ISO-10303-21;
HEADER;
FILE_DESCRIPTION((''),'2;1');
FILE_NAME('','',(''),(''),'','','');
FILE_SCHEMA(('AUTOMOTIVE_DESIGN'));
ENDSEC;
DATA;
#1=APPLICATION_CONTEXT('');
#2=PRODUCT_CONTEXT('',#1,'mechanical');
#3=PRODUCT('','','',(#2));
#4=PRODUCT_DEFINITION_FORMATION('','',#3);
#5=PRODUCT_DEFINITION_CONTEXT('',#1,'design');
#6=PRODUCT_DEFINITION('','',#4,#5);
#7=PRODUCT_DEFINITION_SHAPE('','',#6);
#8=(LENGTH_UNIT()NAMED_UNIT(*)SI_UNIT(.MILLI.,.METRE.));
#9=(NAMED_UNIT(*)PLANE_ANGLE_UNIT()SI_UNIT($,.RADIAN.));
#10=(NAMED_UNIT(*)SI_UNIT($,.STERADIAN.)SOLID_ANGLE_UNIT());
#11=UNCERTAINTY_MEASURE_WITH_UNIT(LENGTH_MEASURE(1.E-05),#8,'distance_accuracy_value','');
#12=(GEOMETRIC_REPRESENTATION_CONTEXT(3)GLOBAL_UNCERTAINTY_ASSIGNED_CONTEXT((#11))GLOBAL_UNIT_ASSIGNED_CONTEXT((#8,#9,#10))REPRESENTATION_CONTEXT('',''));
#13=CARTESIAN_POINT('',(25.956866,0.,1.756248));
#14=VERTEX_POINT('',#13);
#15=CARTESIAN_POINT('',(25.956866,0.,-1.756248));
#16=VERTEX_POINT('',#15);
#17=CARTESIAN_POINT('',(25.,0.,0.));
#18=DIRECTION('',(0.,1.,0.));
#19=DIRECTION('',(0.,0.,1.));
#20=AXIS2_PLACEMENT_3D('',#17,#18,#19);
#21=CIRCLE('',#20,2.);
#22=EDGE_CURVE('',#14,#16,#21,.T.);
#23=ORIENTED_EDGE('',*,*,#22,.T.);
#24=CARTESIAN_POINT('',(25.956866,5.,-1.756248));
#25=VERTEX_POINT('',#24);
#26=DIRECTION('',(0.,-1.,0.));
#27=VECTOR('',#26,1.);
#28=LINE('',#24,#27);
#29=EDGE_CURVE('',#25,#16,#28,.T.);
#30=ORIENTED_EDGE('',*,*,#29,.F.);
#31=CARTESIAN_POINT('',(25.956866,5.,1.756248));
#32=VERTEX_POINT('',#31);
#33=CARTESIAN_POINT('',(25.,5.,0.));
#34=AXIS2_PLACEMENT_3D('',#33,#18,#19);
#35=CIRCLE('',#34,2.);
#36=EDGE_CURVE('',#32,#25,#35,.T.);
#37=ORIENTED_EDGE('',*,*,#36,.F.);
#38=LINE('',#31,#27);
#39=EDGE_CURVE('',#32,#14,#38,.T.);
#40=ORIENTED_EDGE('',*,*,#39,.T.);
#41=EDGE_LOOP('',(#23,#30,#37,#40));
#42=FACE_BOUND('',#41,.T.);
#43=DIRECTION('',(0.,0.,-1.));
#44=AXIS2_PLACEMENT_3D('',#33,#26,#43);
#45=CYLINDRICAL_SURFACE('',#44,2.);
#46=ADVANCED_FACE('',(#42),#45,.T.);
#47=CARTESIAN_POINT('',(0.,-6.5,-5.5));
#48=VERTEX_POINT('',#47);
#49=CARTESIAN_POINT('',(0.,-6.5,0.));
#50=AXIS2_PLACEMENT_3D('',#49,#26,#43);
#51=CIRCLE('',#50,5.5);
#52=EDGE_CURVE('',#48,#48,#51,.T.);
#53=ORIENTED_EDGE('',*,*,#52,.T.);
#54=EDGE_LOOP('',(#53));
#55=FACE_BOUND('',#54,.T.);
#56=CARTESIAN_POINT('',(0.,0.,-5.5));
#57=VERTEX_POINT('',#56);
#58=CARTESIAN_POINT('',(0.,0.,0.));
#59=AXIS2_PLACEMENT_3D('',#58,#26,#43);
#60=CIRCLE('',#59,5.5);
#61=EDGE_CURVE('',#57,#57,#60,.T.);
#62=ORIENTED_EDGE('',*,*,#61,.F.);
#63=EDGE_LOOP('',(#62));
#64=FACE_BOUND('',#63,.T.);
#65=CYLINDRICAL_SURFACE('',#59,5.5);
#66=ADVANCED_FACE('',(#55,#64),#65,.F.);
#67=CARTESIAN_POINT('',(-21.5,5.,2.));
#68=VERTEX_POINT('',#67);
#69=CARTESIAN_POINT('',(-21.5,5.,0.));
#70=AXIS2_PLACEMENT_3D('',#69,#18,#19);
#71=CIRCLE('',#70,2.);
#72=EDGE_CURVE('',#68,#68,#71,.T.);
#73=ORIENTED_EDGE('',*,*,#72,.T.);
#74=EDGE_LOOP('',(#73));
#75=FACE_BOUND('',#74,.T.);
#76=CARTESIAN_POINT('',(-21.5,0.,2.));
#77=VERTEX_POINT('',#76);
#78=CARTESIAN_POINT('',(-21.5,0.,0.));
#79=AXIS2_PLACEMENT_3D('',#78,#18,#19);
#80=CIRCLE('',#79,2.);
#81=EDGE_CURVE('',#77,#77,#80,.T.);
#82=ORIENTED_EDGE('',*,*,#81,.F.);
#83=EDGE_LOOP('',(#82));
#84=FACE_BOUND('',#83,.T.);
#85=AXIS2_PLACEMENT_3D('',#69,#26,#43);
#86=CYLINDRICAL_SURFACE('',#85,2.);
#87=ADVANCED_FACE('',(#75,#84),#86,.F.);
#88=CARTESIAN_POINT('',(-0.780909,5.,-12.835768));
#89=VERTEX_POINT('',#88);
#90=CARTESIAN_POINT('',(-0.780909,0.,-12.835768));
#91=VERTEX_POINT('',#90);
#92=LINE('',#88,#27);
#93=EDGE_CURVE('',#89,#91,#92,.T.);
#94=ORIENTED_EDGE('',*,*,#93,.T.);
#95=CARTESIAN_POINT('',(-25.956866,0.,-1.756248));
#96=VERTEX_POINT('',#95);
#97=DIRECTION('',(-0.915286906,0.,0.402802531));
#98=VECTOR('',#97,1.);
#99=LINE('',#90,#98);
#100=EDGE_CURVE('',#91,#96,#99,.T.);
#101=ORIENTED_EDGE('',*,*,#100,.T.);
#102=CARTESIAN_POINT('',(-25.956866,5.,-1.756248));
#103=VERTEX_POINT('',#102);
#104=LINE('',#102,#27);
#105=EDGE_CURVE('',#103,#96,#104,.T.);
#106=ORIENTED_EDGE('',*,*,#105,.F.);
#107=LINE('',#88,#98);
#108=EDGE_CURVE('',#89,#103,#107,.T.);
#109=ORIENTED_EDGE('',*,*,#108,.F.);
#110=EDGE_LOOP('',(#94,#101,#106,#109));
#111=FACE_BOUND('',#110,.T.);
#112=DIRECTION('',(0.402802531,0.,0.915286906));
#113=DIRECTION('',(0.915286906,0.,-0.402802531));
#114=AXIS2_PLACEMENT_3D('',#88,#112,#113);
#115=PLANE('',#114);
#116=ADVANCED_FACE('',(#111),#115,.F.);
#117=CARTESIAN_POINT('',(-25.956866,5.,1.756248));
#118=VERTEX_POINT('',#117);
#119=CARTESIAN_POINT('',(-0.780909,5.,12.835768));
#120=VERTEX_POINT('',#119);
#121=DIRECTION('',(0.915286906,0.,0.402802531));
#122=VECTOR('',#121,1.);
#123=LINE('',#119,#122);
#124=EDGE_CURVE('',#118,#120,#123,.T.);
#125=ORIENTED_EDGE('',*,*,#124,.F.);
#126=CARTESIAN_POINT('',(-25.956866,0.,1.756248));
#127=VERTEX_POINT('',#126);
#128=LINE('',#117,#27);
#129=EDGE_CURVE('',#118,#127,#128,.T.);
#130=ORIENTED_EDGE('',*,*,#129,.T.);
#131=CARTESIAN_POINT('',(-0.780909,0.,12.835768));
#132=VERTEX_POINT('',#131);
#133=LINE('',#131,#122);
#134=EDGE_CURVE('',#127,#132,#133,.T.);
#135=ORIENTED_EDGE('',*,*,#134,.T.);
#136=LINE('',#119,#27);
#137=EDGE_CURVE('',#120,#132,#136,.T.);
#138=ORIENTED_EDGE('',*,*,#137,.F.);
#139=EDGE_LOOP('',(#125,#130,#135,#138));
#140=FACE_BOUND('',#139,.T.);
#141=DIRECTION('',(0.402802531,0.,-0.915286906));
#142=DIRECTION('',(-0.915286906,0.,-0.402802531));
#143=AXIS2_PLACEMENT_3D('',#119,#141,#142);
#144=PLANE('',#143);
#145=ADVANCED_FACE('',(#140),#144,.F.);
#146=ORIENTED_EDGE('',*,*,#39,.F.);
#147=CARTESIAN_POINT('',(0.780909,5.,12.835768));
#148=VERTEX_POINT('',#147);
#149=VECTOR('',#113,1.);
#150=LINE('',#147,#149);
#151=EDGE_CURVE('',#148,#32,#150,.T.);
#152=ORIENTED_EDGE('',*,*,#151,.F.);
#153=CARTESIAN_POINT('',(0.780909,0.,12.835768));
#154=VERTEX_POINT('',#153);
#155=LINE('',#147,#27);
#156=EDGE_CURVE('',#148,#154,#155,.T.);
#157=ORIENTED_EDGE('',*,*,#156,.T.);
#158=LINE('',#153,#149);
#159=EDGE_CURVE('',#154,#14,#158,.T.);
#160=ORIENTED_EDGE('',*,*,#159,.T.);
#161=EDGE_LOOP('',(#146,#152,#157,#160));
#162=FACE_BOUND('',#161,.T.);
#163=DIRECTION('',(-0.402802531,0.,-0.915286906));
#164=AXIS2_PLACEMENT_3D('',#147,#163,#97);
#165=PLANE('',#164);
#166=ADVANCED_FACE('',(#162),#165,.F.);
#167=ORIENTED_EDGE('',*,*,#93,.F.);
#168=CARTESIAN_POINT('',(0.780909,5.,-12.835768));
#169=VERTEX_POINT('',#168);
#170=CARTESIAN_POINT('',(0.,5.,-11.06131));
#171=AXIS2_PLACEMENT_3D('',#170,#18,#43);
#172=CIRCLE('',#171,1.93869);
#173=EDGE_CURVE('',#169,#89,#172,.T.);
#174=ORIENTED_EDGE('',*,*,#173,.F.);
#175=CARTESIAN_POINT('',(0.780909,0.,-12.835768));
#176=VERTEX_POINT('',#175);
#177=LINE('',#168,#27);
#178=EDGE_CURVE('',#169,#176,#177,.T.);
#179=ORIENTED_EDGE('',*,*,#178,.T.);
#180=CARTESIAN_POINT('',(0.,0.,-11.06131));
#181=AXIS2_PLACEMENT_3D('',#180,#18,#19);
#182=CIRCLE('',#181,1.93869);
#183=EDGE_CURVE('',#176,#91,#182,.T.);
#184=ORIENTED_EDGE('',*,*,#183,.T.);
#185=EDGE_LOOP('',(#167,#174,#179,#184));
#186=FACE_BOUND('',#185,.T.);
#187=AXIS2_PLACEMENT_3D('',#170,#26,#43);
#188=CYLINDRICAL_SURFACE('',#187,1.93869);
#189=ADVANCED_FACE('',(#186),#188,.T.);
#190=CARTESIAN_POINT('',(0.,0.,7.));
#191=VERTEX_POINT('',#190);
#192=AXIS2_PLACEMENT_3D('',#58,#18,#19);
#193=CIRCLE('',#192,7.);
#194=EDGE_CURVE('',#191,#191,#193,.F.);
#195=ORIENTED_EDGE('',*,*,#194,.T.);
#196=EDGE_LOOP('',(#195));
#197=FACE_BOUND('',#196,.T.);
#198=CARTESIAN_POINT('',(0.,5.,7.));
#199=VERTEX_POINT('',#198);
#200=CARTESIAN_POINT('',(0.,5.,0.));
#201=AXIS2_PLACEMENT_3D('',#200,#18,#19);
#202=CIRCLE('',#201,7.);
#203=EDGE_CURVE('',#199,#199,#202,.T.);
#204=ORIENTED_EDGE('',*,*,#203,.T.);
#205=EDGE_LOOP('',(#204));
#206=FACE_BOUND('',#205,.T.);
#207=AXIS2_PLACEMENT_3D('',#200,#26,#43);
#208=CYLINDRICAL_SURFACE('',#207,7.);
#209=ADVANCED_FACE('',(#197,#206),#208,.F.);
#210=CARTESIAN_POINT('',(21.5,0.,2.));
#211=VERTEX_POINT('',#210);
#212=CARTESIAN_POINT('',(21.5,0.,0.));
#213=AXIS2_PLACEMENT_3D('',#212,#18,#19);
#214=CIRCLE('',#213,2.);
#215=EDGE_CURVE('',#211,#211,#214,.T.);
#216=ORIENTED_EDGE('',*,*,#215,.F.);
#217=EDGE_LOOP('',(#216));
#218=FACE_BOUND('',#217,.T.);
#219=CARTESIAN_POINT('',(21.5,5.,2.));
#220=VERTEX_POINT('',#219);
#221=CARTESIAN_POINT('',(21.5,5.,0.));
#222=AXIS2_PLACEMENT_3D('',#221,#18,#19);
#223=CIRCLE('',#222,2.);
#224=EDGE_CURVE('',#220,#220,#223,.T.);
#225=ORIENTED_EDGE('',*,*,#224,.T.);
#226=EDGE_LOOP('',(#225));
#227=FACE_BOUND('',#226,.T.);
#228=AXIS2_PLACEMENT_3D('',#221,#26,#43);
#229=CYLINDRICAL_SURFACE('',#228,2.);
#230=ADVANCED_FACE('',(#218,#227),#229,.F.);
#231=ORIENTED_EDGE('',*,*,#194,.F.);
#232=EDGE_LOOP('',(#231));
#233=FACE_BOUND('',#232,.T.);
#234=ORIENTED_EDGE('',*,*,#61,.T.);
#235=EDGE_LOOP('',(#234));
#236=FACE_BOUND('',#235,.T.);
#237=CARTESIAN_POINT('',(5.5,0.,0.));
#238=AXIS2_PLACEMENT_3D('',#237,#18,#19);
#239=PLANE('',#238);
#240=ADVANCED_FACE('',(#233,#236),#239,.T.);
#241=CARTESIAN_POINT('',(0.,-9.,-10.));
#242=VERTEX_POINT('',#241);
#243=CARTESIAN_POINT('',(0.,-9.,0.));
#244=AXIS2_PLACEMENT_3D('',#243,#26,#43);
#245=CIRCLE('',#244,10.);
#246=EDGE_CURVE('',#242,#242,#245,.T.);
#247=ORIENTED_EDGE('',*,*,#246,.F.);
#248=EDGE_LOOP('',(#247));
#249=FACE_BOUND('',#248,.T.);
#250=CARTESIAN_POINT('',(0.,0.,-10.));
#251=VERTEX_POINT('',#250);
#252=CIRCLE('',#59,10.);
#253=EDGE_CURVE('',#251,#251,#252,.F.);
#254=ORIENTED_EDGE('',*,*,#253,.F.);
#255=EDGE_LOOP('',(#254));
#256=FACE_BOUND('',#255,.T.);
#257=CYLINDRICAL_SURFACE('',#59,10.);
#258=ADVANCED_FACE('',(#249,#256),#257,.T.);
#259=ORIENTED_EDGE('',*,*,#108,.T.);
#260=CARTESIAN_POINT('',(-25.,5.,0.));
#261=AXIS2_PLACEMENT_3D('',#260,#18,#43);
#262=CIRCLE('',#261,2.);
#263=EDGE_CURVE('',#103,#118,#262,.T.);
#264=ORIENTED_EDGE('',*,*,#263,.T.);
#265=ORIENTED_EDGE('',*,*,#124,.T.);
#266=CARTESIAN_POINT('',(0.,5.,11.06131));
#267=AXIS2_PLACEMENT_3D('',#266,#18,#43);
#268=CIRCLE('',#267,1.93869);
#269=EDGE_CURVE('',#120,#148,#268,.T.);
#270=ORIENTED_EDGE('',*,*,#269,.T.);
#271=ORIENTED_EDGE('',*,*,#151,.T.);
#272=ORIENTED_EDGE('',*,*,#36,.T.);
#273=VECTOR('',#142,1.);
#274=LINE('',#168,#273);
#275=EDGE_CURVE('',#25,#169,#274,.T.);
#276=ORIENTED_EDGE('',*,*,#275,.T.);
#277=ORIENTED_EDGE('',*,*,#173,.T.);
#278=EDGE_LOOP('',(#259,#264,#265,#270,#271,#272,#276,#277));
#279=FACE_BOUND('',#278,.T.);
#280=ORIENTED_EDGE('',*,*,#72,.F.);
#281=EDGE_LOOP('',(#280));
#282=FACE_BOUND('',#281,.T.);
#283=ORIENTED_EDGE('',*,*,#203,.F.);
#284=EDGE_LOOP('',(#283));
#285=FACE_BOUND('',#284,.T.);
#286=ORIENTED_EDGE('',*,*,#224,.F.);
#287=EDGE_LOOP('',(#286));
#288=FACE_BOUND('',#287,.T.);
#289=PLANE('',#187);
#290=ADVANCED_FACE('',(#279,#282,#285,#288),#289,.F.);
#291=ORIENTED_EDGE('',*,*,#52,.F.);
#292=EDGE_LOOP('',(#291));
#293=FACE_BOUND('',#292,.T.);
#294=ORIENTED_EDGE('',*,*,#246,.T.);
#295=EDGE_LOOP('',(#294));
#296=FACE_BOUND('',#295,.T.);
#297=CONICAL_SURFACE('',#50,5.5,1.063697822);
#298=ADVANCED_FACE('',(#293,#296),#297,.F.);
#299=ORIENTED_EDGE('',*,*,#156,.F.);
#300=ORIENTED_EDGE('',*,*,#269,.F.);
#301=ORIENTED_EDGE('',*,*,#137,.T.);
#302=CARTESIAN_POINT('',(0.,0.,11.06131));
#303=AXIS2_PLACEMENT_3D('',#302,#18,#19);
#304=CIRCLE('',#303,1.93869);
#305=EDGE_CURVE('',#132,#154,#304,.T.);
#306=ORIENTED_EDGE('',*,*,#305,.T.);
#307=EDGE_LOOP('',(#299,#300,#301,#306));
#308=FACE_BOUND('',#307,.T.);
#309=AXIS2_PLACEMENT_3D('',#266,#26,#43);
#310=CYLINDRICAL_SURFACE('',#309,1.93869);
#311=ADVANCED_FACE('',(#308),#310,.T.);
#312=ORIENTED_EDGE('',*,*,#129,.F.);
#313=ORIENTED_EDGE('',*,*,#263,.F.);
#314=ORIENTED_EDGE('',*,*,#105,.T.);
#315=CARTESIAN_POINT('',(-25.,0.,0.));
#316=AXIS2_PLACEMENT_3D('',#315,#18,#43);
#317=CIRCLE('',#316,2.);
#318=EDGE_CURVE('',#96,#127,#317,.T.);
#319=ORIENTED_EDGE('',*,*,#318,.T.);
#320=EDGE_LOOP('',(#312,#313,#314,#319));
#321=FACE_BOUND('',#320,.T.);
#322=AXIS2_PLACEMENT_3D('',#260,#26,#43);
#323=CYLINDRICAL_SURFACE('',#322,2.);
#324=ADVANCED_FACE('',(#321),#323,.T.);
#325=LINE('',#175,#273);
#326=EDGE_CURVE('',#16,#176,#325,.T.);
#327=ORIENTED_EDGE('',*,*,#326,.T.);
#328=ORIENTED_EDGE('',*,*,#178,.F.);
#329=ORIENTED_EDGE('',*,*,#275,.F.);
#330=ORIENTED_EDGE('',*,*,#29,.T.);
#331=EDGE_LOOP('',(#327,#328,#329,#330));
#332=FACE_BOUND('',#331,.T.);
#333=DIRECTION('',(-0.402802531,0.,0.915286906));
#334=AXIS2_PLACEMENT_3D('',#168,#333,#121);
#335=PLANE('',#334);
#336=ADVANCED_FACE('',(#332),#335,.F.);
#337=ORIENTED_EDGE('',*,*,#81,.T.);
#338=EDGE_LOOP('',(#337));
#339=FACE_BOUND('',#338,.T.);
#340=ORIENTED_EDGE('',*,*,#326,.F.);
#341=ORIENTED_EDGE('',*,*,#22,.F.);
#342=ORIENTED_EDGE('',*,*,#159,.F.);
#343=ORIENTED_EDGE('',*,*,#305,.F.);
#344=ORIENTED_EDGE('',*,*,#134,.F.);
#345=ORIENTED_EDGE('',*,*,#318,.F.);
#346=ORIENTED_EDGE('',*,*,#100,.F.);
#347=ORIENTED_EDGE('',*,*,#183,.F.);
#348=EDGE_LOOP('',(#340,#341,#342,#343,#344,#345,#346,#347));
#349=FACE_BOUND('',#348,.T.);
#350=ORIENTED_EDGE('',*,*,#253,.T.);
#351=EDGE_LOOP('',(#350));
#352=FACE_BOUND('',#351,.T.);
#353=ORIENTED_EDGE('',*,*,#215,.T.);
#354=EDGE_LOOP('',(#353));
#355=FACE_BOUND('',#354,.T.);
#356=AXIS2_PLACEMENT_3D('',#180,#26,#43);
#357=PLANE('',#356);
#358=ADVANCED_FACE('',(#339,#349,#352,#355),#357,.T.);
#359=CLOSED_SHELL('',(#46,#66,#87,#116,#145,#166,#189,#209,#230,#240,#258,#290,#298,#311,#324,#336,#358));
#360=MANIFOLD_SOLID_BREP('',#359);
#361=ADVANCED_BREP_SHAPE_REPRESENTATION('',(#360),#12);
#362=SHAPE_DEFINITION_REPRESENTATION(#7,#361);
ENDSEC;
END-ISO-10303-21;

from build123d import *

# Parameters (mm, degrees)
SKETCH3_R           = 7
SKETCH3_R_2         = 2
BOSS_EXTRUDE1_DEPTH = 5


with BuildPart() as part:
    # Sketch2 → Revolve1 (revolve)
    with BuildSketch(Plane.XY, mode=Mode.PRIVATE) as revolve1_sk:
        Polygon((5.5, 0), (10, 0), (10, -9), (5.5, -6.5), align=None)
    revolve(revolve1_sk.sketch.rotate(Axis((0, 0, 0), (0, 1, 0)), 90), axis=Axis((0, 0, 0), (0, 1, 0)))

    # Sketch3 → Boss-Extrude1 (add)
    with BuildSketch(Plane(origin=(0, 0, 0), x_dir=(1, 0, 0), z_dir=(0, 1, 0))):
        with BuildLine():
            Line((-0.780909149, 12.835767591), (-25.956866437, 1.756247881))
            ThreePointArc((-25.956866437, 1.756247881), (-27, 0), (-25.956866437, -1.756247881))
            Line((-25.956866437, -1.756247881), (-0.780909149, -12.835767591))
            ThreePointArc((-0.780909149, -12.835767591), (-0.398996047, -12.958497669), (0, -13))
            ThreePointArc((0, -13), (0.398996047, -12.958497669), (0.780909149, -12.835767591))
            Line((0.780909149, -12.835767591), (25.956866437, -1.756247881))
            ThreePointArc((25.956866437, -1.756247881), (27, 0), (25.956866437, 1.756247881))
            Line((25.956866437, 1.756247881), (0.780909149, 12.835767591))
            ThreePointArc((0.780909149, 12.835767591), (0.398996047, 12.958497669), (0, 13))
            ThreePointArc((0, 13), (-0.398996047, 12.958497669), (-0.780909149, 12.835767591))
        make_face()
        with Locations(Location((0, 0, 0), (0, 0, 270))):
            Circle(SKETCH3_R, mode=Mode.SUBTRACT)
        with Locations(Location((21.5, 0, 0), (0, 0, 270))):
            Circle(SKETCH3_R_2, mode=Mode.SUBTRACT)
        with Locations(Location((-21.5, 0, 0), (0, 0, 270))):
            Circle(SKETCH3_R_2, mode=Mode.SUBTRACT)
    extrude(amount=BOSS_EXTRUDE1_DEPTH)


solid = part.part
